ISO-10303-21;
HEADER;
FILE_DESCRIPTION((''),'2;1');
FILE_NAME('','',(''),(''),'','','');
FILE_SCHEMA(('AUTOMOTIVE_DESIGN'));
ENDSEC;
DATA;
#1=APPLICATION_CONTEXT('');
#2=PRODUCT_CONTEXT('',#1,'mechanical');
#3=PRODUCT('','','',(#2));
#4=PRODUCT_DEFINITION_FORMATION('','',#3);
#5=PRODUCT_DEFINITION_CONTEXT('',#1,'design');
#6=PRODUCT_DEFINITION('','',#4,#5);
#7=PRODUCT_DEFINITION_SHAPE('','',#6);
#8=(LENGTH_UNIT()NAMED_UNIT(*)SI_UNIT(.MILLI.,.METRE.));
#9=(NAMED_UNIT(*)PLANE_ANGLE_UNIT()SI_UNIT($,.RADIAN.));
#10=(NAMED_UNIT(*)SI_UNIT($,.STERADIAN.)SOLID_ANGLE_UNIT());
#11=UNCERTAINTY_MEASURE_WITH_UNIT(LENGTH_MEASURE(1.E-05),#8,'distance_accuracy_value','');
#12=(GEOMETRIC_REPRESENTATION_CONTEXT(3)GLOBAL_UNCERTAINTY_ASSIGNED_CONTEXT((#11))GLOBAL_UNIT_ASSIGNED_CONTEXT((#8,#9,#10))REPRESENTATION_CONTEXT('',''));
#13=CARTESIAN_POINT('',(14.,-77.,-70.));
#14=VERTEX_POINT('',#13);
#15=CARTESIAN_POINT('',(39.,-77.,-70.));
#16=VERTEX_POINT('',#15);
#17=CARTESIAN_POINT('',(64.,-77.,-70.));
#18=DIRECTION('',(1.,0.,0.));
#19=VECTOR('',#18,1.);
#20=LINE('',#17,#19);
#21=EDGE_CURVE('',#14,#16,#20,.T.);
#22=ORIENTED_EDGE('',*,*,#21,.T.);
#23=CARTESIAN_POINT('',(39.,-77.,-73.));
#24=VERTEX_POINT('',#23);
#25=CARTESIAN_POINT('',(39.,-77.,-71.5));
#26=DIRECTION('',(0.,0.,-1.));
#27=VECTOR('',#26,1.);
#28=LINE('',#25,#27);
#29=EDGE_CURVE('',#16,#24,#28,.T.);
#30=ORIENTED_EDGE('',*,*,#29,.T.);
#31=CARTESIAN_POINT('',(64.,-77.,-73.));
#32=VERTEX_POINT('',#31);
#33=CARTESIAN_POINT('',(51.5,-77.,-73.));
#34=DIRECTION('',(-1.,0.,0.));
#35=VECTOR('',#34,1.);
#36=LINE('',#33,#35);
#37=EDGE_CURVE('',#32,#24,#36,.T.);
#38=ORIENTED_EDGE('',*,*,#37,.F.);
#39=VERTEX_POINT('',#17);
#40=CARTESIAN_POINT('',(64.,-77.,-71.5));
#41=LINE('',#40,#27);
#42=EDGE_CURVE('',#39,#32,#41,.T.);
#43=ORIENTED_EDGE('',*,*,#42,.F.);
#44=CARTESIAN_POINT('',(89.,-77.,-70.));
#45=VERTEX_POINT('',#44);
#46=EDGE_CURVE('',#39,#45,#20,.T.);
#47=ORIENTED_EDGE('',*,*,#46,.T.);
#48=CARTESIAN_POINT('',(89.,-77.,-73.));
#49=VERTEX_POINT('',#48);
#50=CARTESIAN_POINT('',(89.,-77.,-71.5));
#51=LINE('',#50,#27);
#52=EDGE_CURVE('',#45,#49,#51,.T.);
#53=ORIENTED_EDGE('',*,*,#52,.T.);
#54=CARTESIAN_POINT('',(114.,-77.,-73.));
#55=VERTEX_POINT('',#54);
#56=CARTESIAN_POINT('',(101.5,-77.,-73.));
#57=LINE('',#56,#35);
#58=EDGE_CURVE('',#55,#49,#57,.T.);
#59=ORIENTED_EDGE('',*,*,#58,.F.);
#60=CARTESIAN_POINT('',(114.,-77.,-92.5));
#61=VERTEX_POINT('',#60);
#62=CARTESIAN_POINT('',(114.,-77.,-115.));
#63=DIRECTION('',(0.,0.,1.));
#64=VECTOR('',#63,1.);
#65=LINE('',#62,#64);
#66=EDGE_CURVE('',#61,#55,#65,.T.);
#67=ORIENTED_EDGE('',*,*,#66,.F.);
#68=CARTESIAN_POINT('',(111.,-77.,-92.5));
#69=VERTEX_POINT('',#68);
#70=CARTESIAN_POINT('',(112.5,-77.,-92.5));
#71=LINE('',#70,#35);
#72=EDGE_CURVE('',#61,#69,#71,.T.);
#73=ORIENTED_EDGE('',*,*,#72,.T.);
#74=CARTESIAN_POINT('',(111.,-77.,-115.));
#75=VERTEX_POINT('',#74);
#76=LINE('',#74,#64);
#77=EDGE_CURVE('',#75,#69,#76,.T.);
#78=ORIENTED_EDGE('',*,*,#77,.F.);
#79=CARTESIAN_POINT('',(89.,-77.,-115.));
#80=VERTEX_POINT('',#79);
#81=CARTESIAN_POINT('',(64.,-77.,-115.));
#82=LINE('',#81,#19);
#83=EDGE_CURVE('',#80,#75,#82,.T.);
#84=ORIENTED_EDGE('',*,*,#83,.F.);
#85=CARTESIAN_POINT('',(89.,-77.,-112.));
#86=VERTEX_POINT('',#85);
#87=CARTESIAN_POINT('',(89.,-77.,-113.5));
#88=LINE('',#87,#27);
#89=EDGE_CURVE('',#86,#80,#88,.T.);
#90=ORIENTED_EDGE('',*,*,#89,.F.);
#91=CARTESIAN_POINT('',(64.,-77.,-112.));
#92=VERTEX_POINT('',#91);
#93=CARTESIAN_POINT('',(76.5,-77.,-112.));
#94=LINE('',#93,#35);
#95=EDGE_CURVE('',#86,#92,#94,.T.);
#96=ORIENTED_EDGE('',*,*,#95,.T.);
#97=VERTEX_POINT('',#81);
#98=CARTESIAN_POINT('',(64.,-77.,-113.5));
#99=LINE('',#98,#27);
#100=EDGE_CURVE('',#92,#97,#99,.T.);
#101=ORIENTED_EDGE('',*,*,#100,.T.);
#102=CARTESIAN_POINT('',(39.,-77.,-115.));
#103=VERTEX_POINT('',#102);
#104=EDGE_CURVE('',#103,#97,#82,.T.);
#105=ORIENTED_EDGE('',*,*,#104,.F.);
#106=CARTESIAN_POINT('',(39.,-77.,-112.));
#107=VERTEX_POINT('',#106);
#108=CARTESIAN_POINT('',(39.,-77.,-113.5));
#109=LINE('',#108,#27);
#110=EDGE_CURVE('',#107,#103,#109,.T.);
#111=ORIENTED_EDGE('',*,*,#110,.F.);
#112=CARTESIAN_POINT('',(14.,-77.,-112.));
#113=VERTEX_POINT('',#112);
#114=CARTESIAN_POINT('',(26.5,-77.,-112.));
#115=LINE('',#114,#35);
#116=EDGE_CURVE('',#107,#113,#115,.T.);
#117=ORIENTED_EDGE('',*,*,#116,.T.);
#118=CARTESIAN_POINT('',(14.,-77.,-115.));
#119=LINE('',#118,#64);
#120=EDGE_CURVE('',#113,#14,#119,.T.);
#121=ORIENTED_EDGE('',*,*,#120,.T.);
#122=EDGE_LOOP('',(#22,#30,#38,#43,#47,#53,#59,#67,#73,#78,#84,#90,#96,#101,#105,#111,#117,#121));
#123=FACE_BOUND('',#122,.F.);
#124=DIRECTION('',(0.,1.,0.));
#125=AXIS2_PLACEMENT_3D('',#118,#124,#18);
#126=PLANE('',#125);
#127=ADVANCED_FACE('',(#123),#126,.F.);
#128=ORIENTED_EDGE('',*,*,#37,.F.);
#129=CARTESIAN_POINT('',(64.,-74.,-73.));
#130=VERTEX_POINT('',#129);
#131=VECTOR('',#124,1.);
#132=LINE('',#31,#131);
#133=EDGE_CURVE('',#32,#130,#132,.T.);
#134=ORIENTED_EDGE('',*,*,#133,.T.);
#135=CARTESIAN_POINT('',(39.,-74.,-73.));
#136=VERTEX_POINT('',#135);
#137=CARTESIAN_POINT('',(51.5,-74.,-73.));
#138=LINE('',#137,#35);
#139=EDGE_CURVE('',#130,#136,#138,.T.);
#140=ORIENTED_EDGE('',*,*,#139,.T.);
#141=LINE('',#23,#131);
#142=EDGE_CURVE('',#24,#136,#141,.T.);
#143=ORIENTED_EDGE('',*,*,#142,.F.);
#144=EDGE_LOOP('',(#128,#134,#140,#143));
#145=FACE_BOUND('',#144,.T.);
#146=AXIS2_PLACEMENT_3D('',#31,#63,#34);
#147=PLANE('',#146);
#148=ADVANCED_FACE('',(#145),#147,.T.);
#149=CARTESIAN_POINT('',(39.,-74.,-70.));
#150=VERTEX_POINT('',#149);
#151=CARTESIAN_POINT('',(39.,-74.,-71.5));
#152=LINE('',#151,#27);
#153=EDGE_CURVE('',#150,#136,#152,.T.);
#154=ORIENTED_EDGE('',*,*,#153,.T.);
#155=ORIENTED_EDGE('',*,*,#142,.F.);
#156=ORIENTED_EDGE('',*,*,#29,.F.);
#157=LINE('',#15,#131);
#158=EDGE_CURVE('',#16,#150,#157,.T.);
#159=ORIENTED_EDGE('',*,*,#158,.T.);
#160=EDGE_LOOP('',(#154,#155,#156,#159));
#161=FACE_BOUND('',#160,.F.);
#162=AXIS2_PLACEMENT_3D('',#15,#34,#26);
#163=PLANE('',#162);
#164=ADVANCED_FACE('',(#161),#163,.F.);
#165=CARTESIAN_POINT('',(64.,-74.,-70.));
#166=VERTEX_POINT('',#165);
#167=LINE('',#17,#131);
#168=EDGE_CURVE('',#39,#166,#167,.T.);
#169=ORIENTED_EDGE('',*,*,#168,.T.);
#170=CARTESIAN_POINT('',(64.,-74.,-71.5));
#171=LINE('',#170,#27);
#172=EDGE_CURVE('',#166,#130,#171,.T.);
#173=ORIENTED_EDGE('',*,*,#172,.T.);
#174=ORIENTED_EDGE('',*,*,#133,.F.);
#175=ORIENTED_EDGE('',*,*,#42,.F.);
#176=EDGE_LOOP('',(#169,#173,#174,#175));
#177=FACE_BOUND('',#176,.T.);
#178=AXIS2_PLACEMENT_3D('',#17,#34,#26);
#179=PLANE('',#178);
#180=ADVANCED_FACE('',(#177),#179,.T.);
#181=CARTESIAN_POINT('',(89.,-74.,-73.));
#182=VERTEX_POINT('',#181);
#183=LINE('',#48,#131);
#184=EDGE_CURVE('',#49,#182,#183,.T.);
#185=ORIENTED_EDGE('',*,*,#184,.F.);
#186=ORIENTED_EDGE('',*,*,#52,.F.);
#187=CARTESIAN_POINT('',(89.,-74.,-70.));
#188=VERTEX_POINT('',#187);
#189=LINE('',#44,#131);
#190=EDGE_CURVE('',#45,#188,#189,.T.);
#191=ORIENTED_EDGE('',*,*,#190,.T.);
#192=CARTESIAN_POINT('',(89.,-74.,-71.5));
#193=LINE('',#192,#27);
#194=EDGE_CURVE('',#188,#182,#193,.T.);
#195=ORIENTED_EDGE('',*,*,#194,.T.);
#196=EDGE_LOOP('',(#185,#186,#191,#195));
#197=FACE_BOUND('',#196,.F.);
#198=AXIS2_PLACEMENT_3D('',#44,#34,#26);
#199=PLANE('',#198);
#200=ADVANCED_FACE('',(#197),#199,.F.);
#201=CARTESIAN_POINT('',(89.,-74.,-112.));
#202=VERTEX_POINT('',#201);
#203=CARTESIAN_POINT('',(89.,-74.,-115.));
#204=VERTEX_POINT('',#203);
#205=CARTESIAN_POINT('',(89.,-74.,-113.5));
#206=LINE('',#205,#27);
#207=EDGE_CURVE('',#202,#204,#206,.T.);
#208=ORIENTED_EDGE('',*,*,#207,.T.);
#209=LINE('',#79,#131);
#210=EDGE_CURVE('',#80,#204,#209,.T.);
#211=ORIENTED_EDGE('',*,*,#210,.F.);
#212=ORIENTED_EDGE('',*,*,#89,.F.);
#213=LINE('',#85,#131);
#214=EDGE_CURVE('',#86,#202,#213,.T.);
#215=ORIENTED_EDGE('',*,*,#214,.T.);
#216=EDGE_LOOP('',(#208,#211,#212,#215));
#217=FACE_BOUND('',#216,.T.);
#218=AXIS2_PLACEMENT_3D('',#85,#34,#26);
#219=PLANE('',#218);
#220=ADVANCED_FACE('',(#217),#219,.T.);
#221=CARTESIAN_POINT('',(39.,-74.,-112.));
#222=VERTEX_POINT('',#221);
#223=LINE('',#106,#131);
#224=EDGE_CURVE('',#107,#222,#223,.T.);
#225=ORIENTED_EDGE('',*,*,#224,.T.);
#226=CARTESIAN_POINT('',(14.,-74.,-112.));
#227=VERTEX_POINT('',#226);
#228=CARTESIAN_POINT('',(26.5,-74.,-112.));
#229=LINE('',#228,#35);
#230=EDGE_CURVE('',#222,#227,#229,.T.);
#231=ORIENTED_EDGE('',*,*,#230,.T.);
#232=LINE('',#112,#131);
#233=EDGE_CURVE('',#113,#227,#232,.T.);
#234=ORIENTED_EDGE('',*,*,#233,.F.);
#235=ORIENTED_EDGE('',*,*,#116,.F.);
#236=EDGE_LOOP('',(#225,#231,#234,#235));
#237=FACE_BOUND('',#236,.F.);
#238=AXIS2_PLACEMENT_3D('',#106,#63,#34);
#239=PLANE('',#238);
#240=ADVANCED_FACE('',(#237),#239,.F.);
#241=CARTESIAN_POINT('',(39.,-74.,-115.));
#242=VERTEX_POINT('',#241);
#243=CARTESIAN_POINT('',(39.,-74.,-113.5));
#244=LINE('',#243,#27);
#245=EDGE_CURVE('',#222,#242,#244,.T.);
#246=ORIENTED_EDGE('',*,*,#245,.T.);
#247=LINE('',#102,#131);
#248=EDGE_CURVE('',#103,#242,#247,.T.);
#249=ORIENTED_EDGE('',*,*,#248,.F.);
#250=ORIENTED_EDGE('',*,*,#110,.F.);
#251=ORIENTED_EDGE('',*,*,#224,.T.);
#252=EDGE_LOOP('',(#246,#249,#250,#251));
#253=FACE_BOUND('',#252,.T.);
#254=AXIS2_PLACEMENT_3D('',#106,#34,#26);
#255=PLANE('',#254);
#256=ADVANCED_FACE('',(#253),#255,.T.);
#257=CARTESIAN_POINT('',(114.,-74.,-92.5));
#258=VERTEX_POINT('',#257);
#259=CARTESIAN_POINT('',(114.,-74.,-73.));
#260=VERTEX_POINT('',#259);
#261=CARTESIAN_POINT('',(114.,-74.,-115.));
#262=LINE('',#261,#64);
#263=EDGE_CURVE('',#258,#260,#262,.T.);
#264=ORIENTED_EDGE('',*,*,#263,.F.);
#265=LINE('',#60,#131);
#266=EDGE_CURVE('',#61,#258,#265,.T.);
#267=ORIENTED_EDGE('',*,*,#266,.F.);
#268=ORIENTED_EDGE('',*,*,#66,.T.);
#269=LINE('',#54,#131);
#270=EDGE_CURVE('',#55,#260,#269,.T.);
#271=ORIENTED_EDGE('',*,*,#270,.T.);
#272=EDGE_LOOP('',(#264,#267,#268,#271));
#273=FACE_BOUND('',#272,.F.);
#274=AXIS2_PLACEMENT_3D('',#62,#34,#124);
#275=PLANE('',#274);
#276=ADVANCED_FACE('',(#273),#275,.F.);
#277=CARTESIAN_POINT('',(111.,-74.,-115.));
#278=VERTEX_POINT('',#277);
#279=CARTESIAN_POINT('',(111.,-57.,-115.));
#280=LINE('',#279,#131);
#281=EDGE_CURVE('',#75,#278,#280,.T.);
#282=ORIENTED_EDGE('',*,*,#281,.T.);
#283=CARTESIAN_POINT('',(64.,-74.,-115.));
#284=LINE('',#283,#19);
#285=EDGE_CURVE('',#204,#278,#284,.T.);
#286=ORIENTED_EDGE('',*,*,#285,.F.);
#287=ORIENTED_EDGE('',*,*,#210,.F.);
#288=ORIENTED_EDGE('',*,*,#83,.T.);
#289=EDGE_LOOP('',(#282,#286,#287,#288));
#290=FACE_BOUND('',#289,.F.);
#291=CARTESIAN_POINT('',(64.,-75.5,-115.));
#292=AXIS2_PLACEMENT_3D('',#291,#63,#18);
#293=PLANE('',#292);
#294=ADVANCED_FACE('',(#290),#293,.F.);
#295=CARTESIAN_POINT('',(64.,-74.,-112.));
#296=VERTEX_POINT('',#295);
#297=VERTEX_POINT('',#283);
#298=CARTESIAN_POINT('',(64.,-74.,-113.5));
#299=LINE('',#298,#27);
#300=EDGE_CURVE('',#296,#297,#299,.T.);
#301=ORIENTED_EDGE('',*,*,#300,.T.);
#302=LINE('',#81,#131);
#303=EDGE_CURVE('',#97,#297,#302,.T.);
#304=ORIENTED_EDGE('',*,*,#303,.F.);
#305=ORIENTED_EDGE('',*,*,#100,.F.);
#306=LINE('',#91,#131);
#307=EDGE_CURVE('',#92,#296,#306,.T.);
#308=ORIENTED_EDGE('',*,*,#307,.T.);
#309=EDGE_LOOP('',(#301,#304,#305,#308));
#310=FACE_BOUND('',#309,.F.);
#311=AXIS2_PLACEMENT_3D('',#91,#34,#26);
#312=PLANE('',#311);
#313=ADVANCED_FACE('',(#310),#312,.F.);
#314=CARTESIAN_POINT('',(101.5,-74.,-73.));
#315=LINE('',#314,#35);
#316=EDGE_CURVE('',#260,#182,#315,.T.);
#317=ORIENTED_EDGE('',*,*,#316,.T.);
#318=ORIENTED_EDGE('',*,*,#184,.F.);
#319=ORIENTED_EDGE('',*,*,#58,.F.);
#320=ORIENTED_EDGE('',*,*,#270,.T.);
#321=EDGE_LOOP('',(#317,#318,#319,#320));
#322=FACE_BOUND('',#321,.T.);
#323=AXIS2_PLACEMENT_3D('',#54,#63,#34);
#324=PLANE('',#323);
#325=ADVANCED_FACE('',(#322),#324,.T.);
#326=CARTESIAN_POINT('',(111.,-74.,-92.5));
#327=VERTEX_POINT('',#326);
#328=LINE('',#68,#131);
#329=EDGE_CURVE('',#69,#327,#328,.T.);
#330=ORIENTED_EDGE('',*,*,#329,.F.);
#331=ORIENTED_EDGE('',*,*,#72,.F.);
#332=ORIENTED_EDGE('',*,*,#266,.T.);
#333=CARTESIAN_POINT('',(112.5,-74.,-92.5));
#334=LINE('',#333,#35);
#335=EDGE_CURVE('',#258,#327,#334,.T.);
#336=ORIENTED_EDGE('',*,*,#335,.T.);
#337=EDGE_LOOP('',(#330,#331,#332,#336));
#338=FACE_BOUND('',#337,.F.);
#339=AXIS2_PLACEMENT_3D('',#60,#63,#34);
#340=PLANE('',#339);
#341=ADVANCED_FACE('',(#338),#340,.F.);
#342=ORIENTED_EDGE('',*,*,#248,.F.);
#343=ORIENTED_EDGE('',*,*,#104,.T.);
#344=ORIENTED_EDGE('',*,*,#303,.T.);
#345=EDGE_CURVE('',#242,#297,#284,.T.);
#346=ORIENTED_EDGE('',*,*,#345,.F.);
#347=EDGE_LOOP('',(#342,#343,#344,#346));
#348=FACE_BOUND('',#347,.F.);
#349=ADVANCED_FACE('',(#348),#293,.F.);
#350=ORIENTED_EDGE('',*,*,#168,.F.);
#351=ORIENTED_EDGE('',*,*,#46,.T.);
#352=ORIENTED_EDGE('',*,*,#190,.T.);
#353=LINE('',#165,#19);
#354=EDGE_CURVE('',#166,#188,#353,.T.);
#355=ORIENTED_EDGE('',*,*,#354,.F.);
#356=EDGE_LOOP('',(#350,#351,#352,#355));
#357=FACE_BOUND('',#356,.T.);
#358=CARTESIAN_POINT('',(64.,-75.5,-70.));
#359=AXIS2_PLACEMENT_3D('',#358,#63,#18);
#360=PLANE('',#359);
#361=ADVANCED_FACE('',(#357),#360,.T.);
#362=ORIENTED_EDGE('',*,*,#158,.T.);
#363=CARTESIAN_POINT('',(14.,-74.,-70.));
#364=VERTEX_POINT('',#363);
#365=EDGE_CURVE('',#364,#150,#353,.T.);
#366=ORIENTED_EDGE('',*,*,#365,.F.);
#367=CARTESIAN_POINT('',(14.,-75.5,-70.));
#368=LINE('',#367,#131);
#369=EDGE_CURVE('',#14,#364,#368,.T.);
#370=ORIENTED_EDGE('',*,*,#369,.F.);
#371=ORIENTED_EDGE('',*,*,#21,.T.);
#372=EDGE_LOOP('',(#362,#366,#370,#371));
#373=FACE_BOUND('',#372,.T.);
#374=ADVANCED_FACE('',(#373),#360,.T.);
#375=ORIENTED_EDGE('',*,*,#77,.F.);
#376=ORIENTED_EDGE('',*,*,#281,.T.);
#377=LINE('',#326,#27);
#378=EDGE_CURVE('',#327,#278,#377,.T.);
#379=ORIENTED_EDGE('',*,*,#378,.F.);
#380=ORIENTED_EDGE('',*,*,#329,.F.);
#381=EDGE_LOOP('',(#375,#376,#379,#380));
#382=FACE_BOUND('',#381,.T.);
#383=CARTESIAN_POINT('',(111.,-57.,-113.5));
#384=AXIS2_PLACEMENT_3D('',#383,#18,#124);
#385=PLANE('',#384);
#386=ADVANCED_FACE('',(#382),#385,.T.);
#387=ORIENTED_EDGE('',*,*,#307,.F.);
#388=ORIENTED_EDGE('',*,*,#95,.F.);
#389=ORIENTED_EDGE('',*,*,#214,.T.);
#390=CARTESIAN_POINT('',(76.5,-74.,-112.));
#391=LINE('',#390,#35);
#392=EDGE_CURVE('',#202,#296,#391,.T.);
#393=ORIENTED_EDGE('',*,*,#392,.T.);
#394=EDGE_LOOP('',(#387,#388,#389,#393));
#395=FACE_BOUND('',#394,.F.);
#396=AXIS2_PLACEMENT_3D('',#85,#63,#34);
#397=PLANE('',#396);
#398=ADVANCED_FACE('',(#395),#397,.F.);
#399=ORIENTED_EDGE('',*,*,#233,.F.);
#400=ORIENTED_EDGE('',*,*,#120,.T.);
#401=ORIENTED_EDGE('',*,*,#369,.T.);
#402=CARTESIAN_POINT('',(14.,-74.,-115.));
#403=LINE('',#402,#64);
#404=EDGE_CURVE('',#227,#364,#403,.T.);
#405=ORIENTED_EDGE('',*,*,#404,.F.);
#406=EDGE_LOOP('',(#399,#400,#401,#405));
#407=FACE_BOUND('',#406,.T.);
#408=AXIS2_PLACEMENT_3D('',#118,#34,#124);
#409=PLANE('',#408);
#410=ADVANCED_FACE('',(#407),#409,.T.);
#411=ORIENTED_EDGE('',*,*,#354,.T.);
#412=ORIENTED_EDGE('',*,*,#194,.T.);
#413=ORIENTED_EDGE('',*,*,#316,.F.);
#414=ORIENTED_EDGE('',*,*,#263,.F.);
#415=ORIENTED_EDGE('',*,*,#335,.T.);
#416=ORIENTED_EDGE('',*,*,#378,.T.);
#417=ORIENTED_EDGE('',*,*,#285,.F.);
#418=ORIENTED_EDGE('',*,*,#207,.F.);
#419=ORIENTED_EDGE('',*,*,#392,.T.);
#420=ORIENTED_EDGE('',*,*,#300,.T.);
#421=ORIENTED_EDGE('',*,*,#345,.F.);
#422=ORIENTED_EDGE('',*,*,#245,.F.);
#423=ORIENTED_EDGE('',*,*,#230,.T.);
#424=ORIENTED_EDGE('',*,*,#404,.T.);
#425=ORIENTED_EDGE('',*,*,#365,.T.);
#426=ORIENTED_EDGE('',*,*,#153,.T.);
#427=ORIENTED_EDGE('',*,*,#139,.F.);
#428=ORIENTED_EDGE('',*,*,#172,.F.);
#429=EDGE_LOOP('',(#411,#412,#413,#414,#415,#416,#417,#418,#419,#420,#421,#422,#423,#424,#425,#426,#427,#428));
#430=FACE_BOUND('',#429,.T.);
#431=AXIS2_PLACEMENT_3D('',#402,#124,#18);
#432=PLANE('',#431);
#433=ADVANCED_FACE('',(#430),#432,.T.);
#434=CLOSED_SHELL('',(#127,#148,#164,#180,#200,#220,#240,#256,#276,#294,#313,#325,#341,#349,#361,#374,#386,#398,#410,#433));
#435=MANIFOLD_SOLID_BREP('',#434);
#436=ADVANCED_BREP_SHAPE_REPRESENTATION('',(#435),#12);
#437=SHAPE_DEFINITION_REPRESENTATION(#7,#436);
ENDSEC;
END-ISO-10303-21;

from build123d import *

# Parameters (mm, degrees)
RECTANGLE134_W                               = 40
RECTANGLE134_H                               = 3
EXTRUDE175_DEPTH                             = 3
RECTANGLE135_W                               = 40
RECTANGLE135_H                               = 3
EXTRUDE176_DEPTH                             = 3
RECTANGLE133_W                               = 40
RECTANGLE133_H                               = 3
EXTRUDE174_DEPTH                             = 3
RECTANGLE130_AS_DRAWN_W                      = 25
RECTANGLE130_AS_DRAWN_H                      = 3
EXTRUDE152_DEPTH                             = 3
EXTRUDE152_ONTO_RECTANGLE130_ROLL_ANGLE      = -90
EXTRUDE152_ONTO_RECTANGLE130_PLACEMENT_ANGLE = 180
RECTANGLE128_AS_DRAWN_W                      = 25
RECTANGLE128_AS_DRAWN_H                      = 3
EXTRUDE153_DEPTH                             = 3
EXTRUDE153_ONTO_RECTANGLE128_ROLL_ANGLE      = -90
EXTRUDE153_ONTO_RECTANGLE128_PLACEMENT_ANGLE = 180
RECTANGLE132_AS_DRAWN_W                      = 3
RECTANGLE132_AS_DRAWN_H                      = 19.5
EXTRUDE166_DEPTH                             = 3
EXTRUDE166_ONTO_RECTANGLE132_ROLL_ANGLE      = -90
EXTRUDE166_ONTO_RECTANGLE132_PLACEMENT_ANGLE = 180
RECTANGLE127_AS_DRAWN_W                      = 25
RECTANGLE127_AS_DRAWN_H                      = 3
EXTRUDE147_DEPTH                             = 3
EXTRUDE147_ONTO_RECTANGLE127_ROLL_ANGLE      = -90
EXTRUDE147_ONTO_RECTANGLE127_PLACEMENT_ANGLE = 180
RECTANGLE129_AS_DRAWN_W                      = 25
RECTANGLE129_AS_DRAWN_H                      = 3
EXTRUDE149_DEPTH                             = 3
EXTRUDE149_ONTO_RECTANGLE129_ROLL_ANGLE      = -90
EXTRUDE149_ONTO_RECTANGLE129_PLACEMENT_ANGLE = 180
BOX042_W                                     = 100
BOX042_H                                     = 3
BOX042_DEPTH                                 = 45


with BuildPart() as extrude175:
    # Rectangle134 → Extrude175 (new body)
    with BuildSketch(Plane(origin=(114, 38, -112), x_dir=(0, 1, 0), z_dir=(1, 0, 0))):
        with Locations((20, -1.5)):
            Rectangle(RECTANGLE134_W, RECTANGLE134_H)
    extrude(amount=EXTRUDE175_DEPTH)


with BuildPart() as extrude176:
    # Rectangle135 → Extrude176 (new body)
    with BuildSketch(Plane(origin=(114, -19.5, -112), x_dir=(0, 1, 0), z_dir=(1, 0, 0))):
        with Locations((20, -1.5)):
            Rectangle(RECTANGLE135_W, RECTANGLE135_H)
    extrude(amount=EXTRUDE176_DEPTH)


with BuildPart() as fusion064043:
    # Rectangle133 → Extrude174 (new body)
    with BuildSketch(Plane(origin=(114, -77, -112), x_dir=(0, 1, 0), z_dir=(1, 0, 0))):
        with Locations((20, -1.5)):
            Rectangle(RECTANGLE133_W, RECTANGLE133_H)
    extrude(amount=EXTRUDE174_DEPTH)

    # Fusion064043: union Extrude175, Extrude176
    add(extrude175.part)
    add(extrude176.part)


with BuildPart() as fusion064043_1:
    # Fusion064043 placement: moved
    add(fusion064043.part.moved(Location((-3, 0, 0))))


with BuildPart() as extrude152:
    # Rectangle130 as drawn → Extrude152 (new)
    with BuildSketch(Plane.XY):
        with Locations((12.5, 1.5)):
            Rectangle(RECTANGLE130_AS_DRAWN_W, RECTANGLE130_AS_DRAWN_H)
    extrude(amount=-EXTRUDE152_DEPTH)


with BuildPart() as extrude152_1:
    # Extrude152 onto Rectangle130 roll: moved
    add(extrude152.part.rotate(Axis((0, 0, 0), (1, 0, 0)), EXTRUDE152_ONTO_RECTANGLE130_ROLL_ANGLE))


with BuildPart() as extrude152_2:
    # Extrude152 onto Rectangle130 placement: moved
    add(extrude152_1.part.moved(Location((39, -77, -70))).rotate(Axis((39, -77, -70), (0, 0, 1)), EXTRUDE152_ONTO_RECTANGLE130_PLACEMENT_ANGLE))


with BuildPart() as extrude152_3:
    # Extrude152 placement: moved
    add(extrude152_2.part.moved(Location((0, 0, -42))))


with BuildPart() as extrude153:
    # Rectangle128 as drawn → Extrude153 (new)
    with BuildSketch(Plane.XY):
        with Locations((12.5, 1.5)):
            Rectangle(RECTANGLE128_AS_DRAWN_W, RECTANGLE128_AS_DRAWN_H)
    extrude(amount=-EXTRUDE153_DEPTH)


with BuildPart() as extrude153_1:
    # Extrude153 onto Rectangle128 roll: moved
    add(extrude153.part.rotate(Axis((0, 0, 0), (1, 0, 0)), EXTRUDE153_ONTO_RECTANGLE128_ROLL_ANGLE))


with BuildPart() as extrude153_2:
    # Extrude153 onto Rectangle128 placement: moved
    add(extrude153_1.part.moved(Location((89, -77, -70))).rotate(Axis((89, -77, -70), (0, 0, 1)), EXTRUDE153_ONTO_RECTANGLE128_PLACEMENT_ANGLE))


with BuildPart() as extrude153_3:
    # Extrude153 placement: moved
    add(extrude153_2.part.moved(Location((0, 0, -42))))


with BuildPart() as extrude166:
    # Rectangle132 as drawn → Extrude166 (new)
    with BuildSketch(Plane.XY):
        with Locations((1.5, 9.75)):
            Rectangle(RECTANGLE132_AS_DRAWN_W, RECTANGLE132_AS_DRAWN_H)
    extrude(amount=-EXTRUDE166_DEPTH)


with BuildPart() as extrude166_1:
    # Extrude166 onto Rectangle132 roll: moved
    add(extrude166.part.rotate(Axis((0, 0, 0), (1, 0, 0)), EXTRUDE166_ONTO_RECTANGLE132_ROLL_ANGLE))


with BuildPart() as extrude166_2:
    # Extrude166 onto Rectangle132 placement: moved
    add(extrude166_1.part.moved(Location((114, -77, -92.5))).rotate(Axis((114, -77, -92.5), (0, 0, 1)), EXTRUDE166_ONTO_RECTANGLE132_PLACEMENT_ANGLE))


with BuildPart() as extrude147:
    # Rectangle127 as drawn → Extrude147 (new)
    with BuildSketch(Plane.XY):
        with Locations((12.5, 1.5)):
            Rectangle(RECTANGLE127_AS_DRAWN_W, RECTANGLE127_AS_DRAWN_H)
    extrude(amount=-EXTRUDE147_DEPTH)


with BuildPart() as extrude147_1:
    # Extrude147 onto Rectangle127 roll: moved
    add(extrude147.part.rotate(Axis((0, 0, 0), (1, 0, 0)), EXTRUDE147_ONTO_RECTANGLE127_ROLL_ANGLE))


with BuildPart() as extrude147_2:
    # Extrude147 onto Rectangle127 placement: moved
    add(extrude147_1.part.moved(Location((114, -77, -70))).rotate(Axis((114, -77, -70), (0, 0, 1)), EXTRUDE147_ONTO_RECTANGLE127_PLACEMENT_ANGLE))


with BuildPart() as fusion064024:
    # Rectangle129 as drawn → Extrude149 (new)
    with BuildSketch(Plane.XY):
        with Locations((12.5, 1.5)):
            Rectangle(RECTANGLE129_AS_DRAWN_W, RECTANGLE129_AS_DRAWN_H)
    extrude(amount=-EXTRUDE149_DEPTH)


with BuildPart() as fusion064024_1:
    # Extrude149 onto Rectangle129 roll: moved
    add(fusion064024.part.rotate(Axis((0, 0, 0), (1, 0, 0)), EXTRUDE149_ONTO_RECTANGLE129_ROLL_ANGLE))


with BuildPart() as fusion064024_2:
    # Extrude149 onto Rectangle129 placement: moved
    add(fusion064024_1.part.moved(Location((64, -77, -70))).rotate(Axis((64, -77, -70), (0, 0, 1)), EXTRUDE149_ONTO_RECTANGLE129_PLACEMENT_ANGLE))

    # Fusion064024: union Extrude152, Extrude153, Extrude166, Extrude147
    add(extrude152_3.part)
    add(extrude153_3.part)
    add(extrude166_2.part)
    add(extrude147_2.part)


with BuildPart() as cut035028:
    # Box042 → Box042 (new body)
    with BuildSketch(Plane(origin=(14, -77, -115), x_dir=(1, 0, 0), z_dir=(0, 0, 1))):
        with Locations((50, 1.5)):
            Rectangle(BOX042_W, BOX042_H)
    extrude(amount=BOX042_DEPTH)

    # Cut035013: cut Fusion064024
    add(fusion064024_2.part, mode=Mode.SUBTRACT)

    # Cut035028: cut Fusion064043
    add(fusion064043_1.part, mode=Mode.SUBTRACT)


solid = cut035028.part
